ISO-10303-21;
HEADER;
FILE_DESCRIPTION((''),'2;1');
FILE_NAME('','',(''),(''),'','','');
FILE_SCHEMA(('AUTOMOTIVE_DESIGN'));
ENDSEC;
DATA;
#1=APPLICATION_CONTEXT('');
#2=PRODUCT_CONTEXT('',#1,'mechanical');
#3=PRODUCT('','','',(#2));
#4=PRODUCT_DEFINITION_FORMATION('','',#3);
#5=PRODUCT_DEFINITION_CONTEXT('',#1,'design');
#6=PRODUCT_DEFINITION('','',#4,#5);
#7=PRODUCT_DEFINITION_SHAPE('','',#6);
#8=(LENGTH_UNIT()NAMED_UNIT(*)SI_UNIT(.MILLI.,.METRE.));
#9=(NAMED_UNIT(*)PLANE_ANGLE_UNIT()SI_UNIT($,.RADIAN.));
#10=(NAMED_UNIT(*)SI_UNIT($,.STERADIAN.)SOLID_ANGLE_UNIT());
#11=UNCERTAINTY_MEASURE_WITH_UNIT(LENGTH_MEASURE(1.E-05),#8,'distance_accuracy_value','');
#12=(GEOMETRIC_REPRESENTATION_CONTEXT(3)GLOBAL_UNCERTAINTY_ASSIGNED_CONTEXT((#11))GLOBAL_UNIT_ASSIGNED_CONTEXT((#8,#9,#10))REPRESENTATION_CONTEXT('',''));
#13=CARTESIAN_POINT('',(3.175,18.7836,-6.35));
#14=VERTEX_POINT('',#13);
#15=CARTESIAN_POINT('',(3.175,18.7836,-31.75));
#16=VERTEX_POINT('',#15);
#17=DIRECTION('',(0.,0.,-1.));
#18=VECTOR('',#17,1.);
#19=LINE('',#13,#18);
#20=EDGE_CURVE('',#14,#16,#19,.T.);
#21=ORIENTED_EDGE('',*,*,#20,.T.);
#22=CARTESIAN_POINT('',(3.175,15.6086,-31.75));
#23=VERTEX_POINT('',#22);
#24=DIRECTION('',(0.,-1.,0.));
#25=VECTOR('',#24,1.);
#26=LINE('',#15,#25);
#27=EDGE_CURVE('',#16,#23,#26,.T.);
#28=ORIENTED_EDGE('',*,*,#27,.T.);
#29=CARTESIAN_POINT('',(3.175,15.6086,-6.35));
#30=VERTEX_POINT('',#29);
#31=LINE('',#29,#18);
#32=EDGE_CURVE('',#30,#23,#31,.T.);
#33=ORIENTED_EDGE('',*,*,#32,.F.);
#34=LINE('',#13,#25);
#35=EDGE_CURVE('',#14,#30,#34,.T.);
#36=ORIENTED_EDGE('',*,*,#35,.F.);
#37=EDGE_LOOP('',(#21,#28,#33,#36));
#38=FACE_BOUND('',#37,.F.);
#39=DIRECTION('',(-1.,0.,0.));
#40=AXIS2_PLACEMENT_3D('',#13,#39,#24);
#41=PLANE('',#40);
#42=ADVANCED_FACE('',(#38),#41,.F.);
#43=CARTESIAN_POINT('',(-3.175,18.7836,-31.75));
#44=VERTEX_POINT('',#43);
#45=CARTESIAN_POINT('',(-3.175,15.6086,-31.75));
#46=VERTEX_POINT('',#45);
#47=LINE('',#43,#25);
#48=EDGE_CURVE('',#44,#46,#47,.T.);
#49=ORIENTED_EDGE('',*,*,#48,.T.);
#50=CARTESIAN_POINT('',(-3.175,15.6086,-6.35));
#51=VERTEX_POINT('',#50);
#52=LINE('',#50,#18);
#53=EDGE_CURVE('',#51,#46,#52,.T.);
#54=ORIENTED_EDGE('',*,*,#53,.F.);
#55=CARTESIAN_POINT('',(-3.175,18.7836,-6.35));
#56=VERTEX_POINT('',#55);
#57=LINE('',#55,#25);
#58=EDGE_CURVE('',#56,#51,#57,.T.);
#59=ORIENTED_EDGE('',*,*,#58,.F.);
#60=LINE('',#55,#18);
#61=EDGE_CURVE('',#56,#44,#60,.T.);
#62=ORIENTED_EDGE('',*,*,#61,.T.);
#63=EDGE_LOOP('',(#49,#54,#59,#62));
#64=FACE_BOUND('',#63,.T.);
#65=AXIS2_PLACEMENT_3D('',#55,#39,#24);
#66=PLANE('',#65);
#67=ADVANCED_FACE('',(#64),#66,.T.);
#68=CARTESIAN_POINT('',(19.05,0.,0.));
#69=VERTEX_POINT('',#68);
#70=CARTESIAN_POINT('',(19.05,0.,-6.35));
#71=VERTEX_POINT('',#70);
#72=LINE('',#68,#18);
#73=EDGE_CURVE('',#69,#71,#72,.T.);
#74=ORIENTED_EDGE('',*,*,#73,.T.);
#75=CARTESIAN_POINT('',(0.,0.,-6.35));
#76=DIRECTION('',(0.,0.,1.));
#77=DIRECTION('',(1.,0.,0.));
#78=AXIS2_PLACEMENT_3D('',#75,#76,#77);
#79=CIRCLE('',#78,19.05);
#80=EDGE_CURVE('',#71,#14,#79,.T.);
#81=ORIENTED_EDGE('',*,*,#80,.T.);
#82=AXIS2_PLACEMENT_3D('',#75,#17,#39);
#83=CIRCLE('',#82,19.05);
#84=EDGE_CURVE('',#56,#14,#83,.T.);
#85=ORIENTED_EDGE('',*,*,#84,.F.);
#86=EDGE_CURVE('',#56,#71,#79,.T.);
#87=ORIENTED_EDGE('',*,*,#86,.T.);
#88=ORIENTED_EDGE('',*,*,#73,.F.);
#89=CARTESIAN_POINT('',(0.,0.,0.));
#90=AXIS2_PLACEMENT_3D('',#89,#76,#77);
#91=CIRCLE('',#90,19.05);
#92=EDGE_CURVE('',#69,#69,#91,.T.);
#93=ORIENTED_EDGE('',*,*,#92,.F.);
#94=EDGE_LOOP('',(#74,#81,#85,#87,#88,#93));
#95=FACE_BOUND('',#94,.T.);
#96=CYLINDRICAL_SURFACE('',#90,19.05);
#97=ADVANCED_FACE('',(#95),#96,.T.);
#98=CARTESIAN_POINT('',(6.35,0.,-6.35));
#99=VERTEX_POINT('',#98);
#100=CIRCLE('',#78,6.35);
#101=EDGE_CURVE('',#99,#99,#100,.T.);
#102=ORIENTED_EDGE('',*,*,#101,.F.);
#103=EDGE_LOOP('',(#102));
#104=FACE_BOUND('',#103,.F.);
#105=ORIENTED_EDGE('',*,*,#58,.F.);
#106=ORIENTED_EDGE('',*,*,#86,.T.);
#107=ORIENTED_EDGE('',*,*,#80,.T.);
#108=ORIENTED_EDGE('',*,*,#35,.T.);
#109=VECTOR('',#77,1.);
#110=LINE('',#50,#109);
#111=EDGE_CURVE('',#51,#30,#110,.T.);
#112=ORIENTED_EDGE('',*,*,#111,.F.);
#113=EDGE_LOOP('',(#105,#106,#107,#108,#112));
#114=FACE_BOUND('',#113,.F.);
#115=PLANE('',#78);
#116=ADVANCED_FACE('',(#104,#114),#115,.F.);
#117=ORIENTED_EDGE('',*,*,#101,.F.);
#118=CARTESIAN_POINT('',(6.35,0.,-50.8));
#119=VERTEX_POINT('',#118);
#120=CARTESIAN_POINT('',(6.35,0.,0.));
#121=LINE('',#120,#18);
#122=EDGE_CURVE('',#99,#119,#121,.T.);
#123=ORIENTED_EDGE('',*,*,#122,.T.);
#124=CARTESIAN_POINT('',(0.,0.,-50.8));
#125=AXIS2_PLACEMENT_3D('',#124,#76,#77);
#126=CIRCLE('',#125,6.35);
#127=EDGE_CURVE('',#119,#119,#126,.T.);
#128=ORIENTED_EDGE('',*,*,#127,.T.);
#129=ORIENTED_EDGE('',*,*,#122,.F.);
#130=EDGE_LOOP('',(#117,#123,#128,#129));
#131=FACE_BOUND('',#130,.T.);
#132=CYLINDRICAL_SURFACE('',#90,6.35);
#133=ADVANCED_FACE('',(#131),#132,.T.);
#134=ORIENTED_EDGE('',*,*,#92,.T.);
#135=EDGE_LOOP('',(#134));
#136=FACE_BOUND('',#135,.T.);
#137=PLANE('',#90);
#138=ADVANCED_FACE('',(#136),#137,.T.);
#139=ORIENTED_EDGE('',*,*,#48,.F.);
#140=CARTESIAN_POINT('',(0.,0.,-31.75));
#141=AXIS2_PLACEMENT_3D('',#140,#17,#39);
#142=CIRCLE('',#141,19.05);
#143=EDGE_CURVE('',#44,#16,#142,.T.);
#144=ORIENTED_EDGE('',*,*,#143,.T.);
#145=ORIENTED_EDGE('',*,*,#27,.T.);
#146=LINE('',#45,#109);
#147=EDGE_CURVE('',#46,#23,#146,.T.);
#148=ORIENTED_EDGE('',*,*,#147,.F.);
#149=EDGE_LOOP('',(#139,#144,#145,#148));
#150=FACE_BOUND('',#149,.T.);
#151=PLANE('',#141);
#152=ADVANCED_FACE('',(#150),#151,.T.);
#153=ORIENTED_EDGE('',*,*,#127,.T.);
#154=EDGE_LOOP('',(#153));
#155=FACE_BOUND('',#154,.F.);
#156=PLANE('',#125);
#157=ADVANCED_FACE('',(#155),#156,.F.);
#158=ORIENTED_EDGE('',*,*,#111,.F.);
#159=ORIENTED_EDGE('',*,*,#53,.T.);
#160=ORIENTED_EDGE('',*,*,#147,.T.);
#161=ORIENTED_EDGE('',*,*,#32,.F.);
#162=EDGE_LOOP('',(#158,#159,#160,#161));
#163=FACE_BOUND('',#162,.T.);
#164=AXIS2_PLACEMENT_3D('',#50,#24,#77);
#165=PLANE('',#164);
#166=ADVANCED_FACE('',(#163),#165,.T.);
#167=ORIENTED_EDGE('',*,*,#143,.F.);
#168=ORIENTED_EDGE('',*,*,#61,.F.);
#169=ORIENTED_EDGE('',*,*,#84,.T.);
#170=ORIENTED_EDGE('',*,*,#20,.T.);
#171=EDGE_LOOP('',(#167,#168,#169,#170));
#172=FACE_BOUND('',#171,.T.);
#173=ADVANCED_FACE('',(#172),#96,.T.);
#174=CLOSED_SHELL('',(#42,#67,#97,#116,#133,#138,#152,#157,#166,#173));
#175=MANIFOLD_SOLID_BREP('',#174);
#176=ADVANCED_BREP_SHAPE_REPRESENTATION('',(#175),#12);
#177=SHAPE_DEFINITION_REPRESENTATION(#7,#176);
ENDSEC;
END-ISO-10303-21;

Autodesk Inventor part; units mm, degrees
ref_plane "YZ Plane" through (0, 0, 0) normal (1, 0, 0) x (0, 1, 0)
ref_plane "XZ Plane" through (0, 0, 0) normal (0, 1, 0) x (-1, 0, 0)
ref_plane "XY Plane" through (0, 0, 0) normal (0, 0, 1) x (1, 0, 0)
sketch "Sketch1" plane through (0, 0, 0) normal (0, 0, 1) x (1, 0, 0)
  circle A0 centre (0, 0) radius 6.35
  dimension "d0" = 12.7
extrude "Extrusion1" add sketch "Sketch1" against normal blind 50.8
sketch "Sketch2" plane through (0, 0, 0) normal (0, 0, 1) x (1, 0, 0)
  circle A0 centre (0, 0) radius 6.35 projected
  circle A1 centre (0, 0) radius 19.05
  dimension "d3" = 38.1
extrude "Extrusion2" add sketch "Sketch2" against normal blind 6.35
sketch "Sketch4" plane through (0, 0, -6.35) normal (0, 0, -1) x (-1, 0, 0)
  circle A0 centre (0, 0) radius 19.05 projected
  circle A1 centre (0, 0) radius 6.35 construction
  line L0 (0, 0) -> (0, 19.05) construction
  circle A2 centre (0, 0) radius 19.05 construction
  line L1 (-3.175, 18.7836) -> (-3.175, 15.6086)
  line L2 (-3.175, 15.6086) -> (0, 15.6086)
  line L3 (3.175, 18.7836) -> (3.175, 15.6086)
  line L4 (3.175, 15.6086) -> (0, 15.6086)
  arc A3 (3.175, 18.7836) -> (-3.175, 18.7836) centre (0, 0) ccw
  dimension "d6" = 3.175
  dimension "d7" = 3.175
extrude "Extrusion3" add sketch "Sketch4" along normal blind 25.4 contours L3 L4 L2 L1 A0 picked at (-1.4126, 16.7458)
properties part number "innerClutch" material "PET Plastic"
